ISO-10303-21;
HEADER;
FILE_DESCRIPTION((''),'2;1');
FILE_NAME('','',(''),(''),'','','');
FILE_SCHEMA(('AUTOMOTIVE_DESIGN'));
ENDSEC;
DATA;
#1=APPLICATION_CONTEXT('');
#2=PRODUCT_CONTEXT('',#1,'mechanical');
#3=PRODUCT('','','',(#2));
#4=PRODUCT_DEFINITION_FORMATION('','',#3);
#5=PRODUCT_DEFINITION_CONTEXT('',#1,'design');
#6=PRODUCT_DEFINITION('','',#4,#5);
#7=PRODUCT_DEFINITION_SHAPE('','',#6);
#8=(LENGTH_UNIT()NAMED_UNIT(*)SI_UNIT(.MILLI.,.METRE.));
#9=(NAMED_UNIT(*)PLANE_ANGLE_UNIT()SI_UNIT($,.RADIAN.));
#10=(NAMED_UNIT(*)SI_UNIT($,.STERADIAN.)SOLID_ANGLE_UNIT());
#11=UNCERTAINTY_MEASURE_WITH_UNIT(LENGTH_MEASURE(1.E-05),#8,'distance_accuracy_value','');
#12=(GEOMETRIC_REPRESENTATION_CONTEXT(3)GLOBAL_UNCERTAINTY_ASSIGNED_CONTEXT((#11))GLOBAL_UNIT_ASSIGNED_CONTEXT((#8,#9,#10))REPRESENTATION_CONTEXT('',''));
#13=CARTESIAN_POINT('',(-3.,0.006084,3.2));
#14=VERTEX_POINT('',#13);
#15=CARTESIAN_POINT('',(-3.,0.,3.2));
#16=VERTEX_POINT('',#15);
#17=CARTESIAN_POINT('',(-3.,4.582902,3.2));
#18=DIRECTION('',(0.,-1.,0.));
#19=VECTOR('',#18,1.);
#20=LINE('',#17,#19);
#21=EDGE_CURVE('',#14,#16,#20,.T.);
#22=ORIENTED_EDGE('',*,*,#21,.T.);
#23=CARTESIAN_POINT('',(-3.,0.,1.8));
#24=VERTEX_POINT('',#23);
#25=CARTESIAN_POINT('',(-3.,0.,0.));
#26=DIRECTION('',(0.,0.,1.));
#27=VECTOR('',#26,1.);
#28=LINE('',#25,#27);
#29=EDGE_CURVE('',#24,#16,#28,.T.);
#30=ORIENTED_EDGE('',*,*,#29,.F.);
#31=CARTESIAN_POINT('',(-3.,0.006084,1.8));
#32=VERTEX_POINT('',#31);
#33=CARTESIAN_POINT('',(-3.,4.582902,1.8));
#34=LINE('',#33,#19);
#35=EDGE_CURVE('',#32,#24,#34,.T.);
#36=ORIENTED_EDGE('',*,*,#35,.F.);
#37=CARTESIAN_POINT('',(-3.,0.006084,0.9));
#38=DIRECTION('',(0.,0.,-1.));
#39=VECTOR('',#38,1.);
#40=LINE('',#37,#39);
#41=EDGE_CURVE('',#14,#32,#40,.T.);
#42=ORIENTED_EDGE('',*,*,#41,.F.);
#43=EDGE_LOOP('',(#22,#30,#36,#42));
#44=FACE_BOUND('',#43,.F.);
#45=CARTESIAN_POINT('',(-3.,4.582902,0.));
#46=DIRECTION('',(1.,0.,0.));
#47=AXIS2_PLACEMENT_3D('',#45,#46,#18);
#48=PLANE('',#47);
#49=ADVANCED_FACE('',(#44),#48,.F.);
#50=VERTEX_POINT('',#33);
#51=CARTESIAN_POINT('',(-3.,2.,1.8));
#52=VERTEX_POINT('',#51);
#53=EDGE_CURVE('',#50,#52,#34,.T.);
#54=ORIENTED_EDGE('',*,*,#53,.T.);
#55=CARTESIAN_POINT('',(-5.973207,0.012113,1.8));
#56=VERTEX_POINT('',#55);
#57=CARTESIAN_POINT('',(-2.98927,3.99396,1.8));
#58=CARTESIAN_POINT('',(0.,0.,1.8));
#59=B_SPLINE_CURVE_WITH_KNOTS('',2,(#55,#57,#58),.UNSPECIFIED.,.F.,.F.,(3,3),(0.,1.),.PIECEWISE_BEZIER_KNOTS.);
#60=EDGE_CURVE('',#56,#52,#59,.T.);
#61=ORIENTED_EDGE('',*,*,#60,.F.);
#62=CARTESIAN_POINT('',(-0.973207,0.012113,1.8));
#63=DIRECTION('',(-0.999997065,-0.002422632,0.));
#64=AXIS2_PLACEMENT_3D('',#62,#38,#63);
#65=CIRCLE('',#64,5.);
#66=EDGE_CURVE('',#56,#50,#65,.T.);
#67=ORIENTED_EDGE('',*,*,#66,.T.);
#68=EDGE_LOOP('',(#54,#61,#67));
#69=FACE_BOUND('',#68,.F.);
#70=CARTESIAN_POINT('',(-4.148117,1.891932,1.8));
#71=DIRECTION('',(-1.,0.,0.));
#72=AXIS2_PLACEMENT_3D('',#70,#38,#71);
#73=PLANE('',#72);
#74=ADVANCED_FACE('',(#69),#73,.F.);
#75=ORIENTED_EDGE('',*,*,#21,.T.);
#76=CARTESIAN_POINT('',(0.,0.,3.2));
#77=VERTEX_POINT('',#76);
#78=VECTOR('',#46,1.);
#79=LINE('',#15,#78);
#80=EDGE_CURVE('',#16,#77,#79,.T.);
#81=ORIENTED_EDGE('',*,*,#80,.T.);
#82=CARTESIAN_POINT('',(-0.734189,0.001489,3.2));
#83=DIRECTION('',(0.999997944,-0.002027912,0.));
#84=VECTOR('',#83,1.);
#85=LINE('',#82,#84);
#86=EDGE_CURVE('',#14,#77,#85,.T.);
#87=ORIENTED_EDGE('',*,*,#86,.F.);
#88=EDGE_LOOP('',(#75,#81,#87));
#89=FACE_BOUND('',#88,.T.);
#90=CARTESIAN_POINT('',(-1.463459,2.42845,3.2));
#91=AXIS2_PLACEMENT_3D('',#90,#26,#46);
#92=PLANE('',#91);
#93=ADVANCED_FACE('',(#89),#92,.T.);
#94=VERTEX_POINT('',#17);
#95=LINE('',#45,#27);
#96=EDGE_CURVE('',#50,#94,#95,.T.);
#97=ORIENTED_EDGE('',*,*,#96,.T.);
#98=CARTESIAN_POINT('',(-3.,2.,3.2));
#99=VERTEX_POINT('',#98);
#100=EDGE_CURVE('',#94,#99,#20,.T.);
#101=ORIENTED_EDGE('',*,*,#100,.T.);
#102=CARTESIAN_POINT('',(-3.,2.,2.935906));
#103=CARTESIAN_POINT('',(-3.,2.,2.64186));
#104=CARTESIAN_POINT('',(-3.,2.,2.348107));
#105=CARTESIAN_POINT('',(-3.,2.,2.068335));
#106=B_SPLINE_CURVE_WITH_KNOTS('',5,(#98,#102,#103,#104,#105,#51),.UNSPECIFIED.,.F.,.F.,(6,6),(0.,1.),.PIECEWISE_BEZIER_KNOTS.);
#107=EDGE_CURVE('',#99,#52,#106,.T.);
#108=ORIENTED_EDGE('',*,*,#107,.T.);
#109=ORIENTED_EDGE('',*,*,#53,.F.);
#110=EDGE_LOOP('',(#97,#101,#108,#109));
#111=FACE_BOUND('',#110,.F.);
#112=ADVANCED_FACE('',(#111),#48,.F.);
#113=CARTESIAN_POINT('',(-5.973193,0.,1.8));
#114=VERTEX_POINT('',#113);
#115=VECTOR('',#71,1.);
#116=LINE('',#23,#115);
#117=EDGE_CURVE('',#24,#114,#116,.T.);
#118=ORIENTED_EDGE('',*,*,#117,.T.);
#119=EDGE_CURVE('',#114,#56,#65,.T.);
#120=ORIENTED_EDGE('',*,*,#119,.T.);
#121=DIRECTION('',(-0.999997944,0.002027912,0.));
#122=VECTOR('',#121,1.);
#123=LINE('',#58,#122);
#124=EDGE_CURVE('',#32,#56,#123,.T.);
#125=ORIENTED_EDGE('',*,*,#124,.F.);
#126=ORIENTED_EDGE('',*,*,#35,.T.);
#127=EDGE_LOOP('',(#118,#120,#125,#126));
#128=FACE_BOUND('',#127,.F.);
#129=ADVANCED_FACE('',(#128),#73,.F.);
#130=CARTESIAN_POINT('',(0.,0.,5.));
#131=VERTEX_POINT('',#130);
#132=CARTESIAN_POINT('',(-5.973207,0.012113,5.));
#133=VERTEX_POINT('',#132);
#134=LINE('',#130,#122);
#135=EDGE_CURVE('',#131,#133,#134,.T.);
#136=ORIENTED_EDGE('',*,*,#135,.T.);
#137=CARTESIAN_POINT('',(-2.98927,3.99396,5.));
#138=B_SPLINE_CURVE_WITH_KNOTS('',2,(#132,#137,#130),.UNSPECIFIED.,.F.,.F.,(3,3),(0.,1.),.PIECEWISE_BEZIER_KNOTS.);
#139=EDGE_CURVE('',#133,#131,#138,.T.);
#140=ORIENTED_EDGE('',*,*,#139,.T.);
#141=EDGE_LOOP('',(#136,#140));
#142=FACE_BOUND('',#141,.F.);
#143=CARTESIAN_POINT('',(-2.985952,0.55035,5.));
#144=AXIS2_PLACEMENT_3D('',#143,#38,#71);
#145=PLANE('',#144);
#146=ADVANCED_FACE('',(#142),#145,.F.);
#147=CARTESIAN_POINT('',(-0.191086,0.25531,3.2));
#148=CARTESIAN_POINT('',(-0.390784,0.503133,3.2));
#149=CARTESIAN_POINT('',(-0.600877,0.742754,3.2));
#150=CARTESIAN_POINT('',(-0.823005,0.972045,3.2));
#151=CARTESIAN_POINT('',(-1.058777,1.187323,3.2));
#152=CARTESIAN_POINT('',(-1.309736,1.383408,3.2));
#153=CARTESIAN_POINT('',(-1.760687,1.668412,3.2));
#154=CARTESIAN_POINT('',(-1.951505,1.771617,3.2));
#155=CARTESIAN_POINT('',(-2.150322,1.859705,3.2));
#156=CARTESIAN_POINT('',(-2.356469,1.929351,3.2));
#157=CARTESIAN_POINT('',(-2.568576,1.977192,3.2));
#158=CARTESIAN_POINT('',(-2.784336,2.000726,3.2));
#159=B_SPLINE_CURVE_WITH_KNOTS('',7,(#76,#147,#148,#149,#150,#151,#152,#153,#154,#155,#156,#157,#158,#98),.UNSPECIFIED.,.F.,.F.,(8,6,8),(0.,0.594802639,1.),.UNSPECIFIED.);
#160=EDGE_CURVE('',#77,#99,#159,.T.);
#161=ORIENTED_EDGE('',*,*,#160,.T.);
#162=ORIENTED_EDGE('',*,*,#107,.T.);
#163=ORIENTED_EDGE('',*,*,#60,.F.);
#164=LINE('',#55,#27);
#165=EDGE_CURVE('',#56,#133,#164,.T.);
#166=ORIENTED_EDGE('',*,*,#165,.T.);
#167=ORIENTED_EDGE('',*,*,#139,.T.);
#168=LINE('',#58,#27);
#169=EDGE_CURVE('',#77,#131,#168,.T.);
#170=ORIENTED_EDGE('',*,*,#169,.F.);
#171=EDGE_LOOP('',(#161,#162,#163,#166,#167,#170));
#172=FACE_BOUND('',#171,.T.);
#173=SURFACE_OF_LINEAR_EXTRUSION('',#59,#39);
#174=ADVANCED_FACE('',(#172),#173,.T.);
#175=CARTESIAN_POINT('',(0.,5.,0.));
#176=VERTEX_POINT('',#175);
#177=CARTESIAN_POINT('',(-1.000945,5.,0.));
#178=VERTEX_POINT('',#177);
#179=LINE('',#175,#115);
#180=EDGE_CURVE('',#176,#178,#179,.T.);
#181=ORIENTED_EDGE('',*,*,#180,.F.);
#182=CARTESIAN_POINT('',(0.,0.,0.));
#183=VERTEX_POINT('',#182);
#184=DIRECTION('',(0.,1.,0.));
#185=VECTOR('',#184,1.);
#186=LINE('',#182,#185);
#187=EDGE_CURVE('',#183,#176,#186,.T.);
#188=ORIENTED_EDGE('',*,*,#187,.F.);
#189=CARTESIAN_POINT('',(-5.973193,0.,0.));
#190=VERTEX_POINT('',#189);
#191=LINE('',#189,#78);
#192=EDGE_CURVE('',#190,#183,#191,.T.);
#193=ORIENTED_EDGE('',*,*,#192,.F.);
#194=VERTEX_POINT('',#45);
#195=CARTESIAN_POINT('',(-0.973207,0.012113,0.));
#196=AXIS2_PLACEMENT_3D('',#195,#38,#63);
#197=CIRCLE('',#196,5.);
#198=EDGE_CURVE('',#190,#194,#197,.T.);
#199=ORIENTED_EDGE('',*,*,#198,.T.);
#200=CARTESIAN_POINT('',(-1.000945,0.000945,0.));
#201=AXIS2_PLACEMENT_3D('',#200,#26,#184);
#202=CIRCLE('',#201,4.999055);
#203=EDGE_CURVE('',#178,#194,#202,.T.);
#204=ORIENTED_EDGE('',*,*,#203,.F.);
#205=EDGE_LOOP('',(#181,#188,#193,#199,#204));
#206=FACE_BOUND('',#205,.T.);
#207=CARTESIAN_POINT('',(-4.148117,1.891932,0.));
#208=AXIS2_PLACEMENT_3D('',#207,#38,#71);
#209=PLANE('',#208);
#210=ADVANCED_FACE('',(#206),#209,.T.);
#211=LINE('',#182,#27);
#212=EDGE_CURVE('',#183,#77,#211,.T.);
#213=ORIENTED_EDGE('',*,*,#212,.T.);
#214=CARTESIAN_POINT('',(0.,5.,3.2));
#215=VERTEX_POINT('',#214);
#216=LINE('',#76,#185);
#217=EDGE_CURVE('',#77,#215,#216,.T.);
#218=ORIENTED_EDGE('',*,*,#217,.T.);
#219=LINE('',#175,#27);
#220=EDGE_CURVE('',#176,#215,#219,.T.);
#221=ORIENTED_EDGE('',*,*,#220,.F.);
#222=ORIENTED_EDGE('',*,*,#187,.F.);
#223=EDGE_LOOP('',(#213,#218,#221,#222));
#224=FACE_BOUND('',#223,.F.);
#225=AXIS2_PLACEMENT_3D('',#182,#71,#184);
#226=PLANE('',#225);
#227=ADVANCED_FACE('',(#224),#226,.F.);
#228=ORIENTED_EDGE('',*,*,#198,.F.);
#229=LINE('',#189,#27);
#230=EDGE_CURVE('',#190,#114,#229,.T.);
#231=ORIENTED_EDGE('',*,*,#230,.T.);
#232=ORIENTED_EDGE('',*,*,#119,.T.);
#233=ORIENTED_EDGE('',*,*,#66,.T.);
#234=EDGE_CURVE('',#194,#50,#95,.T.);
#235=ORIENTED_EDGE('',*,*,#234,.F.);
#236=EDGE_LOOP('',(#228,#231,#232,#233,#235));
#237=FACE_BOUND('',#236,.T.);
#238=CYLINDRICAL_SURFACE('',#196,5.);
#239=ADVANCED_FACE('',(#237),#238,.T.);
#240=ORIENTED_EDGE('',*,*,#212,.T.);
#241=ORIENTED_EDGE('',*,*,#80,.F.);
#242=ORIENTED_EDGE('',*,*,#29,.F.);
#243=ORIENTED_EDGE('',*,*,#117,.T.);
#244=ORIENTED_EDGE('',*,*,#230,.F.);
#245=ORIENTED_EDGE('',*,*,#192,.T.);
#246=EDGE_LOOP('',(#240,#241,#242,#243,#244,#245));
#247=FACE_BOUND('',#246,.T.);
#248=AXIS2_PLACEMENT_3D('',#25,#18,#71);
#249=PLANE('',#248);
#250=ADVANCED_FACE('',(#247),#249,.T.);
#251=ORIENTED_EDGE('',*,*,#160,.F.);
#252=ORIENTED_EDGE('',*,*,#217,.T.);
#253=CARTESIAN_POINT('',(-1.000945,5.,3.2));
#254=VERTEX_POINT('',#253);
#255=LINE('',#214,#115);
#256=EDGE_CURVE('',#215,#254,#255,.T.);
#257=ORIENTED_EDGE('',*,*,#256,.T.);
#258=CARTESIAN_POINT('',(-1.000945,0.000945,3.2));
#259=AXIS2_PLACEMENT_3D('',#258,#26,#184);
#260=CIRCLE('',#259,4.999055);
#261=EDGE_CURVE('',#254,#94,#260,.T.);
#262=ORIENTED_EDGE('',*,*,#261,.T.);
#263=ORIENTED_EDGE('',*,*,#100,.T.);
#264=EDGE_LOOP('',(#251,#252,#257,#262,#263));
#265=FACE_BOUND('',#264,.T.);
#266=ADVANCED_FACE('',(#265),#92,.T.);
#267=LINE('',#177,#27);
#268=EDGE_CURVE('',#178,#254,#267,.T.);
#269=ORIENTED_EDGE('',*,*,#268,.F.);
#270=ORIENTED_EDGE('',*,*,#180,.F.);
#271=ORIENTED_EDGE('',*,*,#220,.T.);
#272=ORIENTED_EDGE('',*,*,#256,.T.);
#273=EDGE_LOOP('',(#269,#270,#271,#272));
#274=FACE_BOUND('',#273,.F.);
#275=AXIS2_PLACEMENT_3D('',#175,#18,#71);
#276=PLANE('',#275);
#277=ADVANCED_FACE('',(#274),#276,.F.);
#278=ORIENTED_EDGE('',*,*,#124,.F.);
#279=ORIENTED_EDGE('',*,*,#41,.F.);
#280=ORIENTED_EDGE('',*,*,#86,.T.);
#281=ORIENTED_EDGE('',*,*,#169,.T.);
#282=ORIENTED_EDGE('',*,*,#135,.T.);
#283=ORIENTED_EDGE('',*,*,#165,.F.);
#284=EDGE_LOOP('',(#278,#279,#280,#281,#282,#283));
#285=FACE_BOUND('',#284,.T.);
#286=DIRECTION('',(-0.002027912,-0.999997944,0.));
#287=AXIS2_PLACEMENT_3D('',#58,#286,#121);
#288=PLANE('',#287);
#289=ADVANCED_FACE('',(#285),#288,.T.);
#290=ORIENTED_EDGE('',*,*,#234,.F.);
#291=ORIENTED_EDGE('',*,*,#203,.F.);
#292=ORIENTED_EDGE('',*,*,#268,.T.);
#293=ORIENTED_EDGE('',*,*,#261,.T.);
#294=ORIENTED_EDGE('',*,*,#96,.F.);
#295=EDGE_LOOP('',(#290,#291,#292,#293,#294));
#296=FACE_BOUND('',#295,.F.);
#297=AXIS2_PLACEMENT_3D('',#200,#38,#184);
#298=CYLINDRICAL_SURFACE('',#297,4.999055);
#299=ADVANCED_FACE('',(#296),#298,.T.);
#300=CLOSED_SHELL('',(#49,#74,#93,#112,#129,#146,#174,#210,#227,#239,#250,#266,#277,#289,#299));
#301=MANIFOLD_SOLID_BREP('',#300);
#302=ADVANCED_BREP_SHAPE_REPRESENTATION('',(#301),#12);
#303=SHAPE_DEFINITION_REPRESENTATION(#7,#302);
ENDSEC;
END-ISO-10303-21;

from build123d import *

# Parameters (mm, degrees)
BOSS_EXTRUDE1_DEPTH = 3.2
BOSS_EXTRUDE2_DEPTH = 1.8
BOSS_EXTRUDE3_DEPTH = 3.2


with BuildPart() as part:
    # Sketch1 → Boss-Extrude1 (new body)
    with BuildSketch(Plane.XY):
        with BuildLine():
            Line((-3, 4.582902076), (-3, 0))
            Line((-3, 0), (0, 0))
            Line((0, 0), (0, 5))
            Line((0, 5), (-1.00094518, 5))
            ThreePointArc((-1.00094518, 5), (-2.021997437, 4.894614703), (-3, 4.582902076))
        make_face()
    extrude(amount=BOSS_EXTRUDE1_DEPTH)

    # Sketch2 → Boss-Extrude2 (add)
    with BuildSketch(Plane(origin=(0, 0, 0), x_dir=(-1, 0, 0), z_dir=(0, 0, -1))):
        with BuildLine():
            Line((3, 0), (5.973192614, 0))
            ThreePointArc((5.973192614, 0), (5.167805035, 2.733390386), (3, 4.582902076))
            Line((3, 4.582902076), (3, 0))
        make_face()
    extrude(amount=-BOSS_EXTRUDE2_DEPTH)

    # Sketch3 → Boss-Extrude3 (add)
    with BuildSketch(Plane.XY.offset(1.8)):
        with BuildLine():
            Line((0, 0), (-5.973207287, 0.012113161))
            add(Edge.make_bspline(
                [(-5.973207287, 0.012113161), (-2.989270297, 3.993959552), (0, 0)],
                knots=[0, 0, 0, 1, 1, 1], degree=2))
        make_face()
    extrude(amount=BOSS_EXTRUDE3_DEPTH)


solid = part.part
